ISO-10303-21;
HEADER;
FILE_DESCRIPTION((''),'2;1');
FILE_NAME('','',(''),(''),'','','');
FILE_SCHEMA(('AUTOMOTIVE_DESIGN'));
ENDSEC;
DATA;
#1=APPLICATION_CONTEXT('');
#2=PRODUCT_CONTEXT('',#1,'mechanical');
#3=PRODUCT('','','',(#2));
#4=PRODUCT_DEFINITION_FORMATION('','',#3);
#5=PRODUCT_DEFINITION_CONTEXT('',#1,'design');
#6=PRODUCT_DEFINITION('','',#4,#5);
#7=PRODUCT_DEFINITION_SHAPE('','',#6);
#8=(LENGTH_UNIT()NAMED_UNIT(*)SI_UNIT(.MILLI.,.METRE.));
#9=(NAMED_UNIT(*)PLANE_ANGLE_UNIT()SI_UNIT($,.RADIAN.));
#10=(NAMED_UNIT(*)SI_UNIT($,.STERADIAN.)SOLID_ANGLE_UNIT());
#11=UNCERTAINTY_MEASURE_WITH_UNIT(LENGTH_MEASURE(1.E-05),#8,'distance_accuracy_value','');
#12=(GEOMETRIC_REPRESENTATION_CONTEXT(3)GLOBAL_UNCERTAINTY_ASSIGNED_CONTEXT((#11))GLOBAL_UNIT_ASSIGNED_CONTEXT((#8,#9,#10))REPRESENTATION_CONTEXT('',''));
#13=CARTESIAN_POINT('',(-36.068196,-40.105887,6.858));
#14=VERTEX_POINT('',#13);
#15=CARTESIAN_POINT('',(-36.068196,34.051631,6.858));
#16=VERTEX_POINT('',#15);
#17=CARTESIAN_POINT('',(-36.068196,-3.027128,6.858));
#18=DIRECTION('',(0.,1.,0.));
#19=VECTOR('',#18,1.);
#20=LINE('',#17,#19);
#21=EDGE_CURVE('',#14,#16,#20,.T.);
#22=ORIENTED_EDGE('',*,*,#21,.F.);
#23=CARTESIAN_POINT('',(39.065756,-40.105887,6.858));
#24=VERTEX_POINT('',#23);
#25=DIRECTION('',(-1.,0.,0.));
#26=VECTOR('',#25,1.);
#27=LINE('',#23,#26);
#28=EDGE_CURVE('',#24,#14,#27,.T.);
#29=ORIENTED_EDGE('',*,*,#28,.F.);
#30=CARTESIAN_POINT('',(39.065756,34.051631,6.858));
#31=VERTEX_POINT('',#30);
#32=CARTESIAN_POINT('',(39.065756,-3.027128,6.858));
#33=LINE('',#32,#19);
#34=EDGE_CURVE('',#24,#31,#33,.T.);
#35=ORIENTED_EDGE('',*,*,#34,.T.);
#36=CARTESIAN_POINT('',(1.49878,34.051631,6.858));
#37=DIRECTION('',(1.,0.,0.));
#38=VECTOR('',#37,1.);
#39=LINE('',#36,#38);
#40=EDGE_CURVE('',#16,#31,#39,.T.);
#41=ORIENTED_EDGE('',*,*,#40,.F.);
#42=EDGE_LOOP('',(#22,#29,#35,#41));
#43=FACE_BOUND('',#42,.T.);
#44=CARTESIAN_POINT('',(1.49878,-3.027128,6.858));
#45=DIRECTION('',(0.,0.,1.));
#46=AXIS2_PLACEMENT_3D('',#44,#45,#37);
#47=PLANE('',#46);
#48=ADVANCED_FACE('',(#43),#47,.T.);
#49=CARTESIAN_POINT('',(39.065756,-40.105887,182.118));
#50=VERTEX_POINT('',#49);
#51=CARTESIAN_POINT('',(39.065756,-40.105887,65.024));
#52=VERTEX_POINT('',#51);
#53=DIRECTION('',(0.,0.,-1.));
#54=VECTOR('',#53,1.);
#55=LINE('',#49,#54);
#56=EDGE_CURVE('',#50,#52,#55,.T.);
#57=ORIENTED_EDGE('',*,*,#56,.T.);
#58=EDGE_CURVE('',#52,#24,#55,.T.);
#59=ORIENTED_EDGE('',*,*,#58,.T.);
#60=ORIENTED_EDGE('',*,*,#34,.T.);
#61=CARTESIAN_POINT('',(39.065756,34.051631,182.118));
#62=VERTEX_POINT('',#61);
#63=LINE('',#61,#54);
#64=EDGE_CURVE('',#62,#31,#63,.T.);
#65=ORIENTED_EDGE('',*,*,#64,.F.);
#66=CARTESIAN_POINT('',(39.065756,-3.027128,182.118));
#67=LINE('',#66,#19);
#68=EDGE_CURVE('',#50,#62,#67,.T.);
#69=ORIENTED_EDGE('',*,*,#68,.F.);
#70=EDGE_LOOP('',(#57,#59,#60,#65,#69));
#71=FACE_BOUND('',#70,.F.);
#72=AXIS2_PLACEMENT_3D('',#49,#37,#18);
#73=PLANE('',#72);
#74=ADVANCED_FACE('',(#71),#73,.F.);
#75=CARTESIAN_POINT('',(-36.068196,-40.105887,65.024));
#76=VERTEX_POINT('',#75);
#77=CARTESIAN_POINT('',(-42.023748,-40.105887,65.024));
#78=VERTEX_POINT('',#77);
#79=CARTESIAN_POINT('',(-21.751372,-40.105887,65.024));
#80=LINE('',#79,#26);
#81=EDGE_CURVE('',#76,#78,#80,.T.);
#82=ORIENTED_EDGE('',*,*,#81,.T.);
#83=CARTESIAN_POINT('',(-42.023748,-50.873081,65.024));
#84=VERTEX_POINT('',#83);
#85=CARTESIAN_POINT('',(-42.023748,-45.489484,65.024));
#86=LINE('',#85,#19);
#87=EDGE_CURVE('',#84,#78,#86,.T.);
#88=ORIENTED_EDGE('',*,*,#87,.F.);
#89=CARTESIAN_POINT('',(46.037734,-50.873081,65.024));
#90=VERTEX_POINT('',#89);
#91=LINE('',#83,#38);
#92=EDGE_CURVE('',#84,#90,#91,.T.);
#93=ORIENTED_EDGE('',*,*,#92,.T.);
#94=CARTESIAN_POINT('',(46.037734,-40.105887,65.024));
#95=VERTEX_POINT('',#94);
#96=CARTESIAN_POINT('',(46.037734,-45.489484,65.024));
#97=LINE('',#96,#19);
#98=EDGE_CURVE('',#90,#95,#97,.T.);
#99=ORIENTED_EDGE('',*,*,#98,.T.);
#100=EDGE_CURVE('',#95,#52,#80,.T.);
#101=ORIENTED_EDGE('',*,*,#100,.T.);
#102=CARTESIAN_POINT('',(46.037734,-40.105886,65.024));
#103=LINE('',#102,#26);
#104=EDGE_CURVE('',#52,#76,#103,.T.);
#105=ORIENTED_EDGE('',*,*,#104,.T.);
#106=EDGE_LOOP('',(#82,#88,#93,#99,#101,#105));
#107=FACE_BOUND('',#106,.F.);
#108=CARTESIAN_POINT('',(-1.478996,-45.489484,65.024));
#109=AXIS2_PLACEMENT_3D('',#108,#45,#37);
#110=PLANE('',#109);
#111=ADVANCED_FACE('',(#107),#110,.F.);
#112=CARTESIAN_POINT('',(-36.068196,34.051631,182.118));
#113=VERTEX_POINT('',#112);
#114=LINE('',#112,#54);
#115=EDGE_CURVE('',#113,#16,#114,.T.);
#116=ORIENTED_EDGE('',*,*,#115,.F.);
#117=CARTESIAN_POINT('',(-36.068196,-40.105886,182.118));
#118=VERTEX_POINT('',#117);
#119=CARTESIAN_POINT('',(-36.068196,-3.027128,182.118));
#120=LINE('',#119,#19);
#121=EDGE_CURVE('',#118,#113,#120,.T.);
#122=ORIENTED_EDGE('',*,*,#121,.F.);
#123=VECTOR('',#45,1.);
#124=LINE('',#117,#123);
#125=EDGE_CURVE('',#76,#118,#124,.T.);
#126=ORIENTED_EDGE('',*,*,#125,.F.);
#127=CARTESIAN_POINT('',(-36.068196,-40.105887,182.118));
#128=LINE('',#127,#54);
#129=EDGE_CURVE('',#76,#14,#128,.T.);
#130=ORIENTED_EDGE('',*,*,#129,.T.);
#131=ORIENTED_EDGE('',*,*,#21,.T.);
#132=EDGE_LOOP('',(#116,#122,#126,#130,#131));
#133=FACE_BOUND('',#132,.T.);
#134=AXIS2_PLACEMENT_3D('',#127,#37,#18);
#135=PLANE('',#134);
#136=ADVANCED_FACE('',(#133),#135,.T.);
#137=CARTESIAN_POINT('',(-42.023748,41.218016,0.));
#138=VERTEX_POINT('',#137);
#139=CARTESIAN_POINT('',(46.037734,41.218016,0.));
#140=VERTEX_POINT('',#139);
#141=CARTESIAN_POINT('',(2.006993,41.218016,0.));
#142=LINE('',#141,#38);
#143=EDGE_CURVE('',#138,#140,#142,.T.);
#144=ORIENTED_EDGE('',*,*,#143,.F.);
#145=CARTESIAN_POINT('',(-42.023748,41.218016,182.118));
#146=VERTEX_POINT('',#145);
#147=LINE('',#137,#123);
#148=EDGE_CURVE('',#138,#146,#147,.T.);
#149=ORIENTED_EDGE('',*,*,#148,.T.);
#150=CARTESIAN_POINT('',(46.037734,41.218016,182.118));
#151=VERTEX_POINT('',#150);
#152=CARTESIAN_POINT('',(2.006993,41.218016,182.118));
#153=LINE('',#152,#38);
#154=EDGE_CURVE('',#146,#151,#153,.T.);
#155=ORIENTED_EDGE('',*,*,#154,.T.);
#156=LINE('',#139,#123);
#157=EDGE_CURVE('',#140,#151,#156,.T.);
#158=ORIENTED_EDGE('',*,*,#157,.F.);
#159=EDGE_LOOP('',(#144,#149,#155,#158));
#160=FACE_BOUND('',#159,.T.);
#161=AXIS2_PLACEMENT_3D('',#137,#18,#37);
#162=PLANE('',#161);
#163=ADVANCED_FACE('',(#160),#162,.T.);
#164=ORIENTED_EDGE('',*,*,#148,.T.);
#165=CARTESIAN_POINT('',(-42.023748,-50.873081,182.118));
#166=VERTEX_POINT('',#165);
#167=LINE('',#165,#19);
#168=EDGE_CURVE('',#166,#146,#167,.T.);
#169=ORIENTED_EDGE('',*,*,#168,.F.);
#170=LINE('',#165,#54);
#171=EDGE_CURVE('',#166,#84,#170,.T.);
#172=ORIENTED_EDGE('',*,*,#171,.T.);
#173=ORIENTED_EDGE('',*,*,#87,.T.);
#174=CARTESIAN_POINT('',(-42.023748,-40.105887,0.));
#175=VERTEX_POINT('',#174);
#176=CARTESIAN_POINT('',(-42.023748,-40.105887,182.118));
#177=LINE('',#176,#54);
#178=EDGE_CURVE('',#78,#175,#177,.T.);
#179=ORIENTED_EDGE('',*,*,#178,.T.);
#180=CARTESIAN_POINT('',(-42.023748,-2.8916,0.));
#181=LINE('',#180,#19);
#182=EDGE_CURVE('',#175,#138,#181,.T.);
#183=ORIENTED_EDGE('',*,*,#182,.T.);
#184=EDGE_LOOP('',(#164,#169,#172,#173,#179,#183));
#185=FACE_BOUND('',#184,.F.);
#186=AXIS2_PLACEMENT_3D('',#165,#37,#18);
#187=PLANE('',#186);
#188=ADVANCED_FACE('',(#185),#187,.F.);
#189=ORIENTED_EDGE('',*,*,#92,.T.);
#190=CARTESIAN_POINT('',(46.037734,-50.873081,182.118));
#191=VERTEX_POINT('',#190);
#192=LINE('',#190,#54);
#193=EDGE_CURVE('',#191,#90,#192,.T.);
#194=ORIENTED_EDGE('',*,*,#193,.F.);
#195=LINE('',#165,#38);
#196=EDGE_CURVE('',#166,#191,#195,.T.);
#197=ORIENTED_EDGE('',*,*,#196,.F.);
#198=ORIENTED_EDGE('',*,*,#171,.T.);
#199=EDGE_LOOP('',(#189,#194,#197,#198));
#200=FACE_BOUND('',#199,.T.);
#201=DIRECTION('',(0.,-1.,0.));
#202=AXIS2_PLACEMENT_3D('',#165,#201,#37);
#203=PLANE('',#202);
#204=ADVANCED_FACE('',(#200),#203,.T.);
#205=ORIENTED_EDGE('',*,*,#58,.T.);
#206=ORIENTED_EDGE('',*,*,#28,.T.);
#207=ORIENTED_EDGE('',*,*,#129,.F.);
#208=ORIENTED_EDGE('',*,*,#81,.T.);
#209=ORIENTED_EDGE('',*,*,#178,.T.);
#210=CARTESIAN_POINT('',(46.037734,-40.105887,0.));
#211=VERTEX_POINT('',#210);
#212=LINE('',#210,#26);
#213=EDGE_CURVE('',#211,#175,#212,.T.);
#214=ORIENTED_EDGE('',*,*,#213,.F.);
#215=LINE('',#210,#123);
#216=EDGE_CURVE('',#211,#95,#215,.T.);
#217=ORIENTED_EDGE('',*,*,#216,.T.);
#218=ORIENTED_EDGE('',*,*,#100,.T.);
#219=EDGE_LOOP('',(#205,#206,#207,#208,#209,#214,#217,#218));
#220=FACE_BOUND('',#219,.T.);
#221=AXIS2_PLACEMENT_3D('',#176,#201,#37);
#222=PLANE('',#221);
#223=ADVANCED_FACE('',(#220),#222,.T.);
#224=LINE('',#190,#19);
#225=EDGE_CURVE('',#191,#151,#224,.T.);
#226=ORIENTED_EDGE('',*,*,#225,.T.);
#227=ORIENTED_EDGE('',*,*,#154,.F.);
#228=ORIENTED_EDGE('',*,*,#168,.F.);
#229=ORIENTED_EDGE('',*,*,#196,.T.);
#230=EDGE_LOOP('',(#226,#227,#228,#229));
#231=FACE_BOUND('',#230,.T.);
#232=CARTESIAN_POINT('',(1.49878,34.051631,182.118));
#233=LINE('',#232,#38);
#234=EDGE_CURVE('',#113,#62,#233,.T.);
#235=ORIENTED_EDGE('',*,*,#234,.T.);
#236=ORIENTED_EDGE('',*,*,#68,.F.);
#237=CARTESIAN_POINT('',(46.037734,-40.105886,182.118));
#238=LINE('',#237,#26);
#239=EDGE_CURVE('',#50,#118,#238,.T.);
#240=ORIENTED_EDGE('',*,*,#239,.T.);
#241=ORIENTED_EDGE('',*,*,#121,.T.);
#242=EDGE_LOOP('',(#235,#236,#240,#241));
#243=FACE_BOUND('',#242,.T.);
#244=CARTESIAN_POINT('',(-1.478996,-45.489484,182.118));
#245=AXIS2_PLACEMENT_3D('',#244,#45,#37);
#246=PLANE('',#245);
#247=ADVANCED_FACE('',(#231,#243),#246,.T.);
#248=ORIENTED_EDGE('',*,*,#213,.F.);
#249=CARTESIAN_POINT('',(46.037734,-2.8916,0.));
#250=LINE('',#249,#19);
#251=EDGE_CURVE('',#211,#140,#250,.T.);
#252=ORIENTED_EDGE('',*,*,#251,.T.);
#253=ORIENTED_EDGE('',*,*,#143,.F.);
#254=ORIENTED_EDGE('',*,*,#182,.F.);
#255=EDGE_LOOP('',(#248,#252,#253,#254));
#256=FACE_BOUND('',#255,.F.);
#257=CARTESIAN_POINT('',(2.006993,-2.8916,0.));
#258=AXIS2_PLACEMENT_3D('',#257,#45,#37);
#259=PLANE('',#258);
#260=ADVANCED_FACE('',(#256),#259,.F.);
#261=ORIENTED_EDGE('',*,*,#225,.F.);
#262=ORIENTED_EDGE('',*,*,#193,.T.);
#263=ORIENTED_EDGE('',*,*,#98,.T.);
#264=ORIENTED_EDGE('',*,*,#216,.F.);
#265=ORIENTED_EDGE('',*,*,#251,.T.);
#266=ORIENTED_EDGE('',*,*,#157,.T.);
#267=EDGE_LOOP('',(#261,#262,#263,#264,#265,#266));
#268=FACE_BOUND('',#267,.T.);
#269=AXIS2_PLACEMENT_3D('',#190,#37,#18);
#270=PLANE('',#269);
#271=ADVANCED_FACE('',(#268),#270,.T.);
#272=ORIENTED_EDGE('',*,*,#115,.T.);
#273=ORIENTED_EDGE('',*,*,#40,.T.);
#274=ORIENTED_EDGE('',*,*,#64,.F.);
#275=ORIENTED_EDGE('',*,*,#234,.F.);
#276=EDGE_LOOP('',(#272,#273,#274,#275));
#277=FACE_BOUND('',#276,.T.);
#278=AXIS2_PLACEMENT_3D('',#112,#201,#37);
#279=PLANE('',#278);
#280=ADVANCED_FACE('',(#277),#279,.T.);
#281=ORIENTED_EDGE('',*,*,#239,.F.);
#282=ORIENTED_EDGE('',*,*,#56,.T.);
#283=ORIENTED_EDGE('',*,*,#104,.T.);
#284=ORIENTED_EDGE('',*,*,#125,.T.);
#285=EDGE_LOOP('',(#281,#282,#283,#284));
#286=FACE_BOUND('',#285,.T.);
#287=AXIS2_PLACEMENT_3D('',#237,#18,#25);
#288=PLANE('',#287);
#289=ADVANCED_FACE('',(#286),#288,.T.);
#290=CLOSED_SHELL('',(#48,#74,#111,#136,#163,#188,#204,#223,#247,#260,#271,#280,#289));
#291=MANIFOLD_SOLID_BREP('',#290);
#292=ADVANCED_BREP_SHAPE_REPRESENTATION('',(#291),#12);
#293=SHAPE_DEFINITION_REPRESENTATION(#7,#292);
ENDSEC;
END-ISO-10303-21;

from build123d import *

# Parameters (mm, degrees)
F0_W     = 88.061482
F0_H     = 88.219233
F1_DEPTH = 182.118
F2_W     = 75.133953
F2_H     = 74.157518
F3_DEPTH = 175.26
F4_W     = 81.089504
F4_H     = 6.89533
F5_DEPTH = 183.134
F6_W     = 6.971978
F6_H     = 6.89533
F7_DEPTH = 187.706
F8_W     = 81.089504
F8_H     = 10.767195
F8_W_2   = 6.971978
F9_DEPTH = 117.094


with BuildPart() as f1:
    # F0 (on Top) → F1 (new body)
    with BuildSketch(Plane.XY):
        with Locations((2.006993, -2.8916)):
            Rectangle(F0_W, F0_H)
    extrude(amount=F1_DEPTH)

    # F2 (on face) → F3 (cut)
    with BuildSketch(Plane.XY.offset(182.118)):
        with Locations((1.49878, -3.027128)):
            Rectangle(F2_W, F2_H)
    extrude(amount=-F3_DEPTH, mode=Mode.SUBTRACT)

    # F4 (on face) → F5 (cut)
    with BuildSketch(Plane.XY.offset(182.118)):
        with Locations((-1.478996, -43.553552)):
            Rectangle(F4_W, F4_H)
    extrude(amount=-F5_DEPTH, mode=Mode.SUBTRACT)

    # F6 (on face) → F7 (cut)
    with BuildSketch(Plane(origin=(0, 0, 0), x_dir=(1, 0, 0), z_dir=(0, 0, -1))):
        with Locations((42.551745, 43.553552)):
            Rectangle(F6_W, F6_H)
    extrude(amount=-F7_DEPTH, mode=Mode.SUBTRACT)

    # F8 (on face) → F9 (join)
    with BuildSketch(Plane.XY.offset(182.118)):
        with Locations((-1.478996, -45.489484)):
            Rectangle(F8_W, F8_H)
        with Locations((42.551745, -45.489484)):
            Rectangle(F8_W_2, F8_H)
    extrude(amount=-F9_DEPTH)


solid = f1.part
